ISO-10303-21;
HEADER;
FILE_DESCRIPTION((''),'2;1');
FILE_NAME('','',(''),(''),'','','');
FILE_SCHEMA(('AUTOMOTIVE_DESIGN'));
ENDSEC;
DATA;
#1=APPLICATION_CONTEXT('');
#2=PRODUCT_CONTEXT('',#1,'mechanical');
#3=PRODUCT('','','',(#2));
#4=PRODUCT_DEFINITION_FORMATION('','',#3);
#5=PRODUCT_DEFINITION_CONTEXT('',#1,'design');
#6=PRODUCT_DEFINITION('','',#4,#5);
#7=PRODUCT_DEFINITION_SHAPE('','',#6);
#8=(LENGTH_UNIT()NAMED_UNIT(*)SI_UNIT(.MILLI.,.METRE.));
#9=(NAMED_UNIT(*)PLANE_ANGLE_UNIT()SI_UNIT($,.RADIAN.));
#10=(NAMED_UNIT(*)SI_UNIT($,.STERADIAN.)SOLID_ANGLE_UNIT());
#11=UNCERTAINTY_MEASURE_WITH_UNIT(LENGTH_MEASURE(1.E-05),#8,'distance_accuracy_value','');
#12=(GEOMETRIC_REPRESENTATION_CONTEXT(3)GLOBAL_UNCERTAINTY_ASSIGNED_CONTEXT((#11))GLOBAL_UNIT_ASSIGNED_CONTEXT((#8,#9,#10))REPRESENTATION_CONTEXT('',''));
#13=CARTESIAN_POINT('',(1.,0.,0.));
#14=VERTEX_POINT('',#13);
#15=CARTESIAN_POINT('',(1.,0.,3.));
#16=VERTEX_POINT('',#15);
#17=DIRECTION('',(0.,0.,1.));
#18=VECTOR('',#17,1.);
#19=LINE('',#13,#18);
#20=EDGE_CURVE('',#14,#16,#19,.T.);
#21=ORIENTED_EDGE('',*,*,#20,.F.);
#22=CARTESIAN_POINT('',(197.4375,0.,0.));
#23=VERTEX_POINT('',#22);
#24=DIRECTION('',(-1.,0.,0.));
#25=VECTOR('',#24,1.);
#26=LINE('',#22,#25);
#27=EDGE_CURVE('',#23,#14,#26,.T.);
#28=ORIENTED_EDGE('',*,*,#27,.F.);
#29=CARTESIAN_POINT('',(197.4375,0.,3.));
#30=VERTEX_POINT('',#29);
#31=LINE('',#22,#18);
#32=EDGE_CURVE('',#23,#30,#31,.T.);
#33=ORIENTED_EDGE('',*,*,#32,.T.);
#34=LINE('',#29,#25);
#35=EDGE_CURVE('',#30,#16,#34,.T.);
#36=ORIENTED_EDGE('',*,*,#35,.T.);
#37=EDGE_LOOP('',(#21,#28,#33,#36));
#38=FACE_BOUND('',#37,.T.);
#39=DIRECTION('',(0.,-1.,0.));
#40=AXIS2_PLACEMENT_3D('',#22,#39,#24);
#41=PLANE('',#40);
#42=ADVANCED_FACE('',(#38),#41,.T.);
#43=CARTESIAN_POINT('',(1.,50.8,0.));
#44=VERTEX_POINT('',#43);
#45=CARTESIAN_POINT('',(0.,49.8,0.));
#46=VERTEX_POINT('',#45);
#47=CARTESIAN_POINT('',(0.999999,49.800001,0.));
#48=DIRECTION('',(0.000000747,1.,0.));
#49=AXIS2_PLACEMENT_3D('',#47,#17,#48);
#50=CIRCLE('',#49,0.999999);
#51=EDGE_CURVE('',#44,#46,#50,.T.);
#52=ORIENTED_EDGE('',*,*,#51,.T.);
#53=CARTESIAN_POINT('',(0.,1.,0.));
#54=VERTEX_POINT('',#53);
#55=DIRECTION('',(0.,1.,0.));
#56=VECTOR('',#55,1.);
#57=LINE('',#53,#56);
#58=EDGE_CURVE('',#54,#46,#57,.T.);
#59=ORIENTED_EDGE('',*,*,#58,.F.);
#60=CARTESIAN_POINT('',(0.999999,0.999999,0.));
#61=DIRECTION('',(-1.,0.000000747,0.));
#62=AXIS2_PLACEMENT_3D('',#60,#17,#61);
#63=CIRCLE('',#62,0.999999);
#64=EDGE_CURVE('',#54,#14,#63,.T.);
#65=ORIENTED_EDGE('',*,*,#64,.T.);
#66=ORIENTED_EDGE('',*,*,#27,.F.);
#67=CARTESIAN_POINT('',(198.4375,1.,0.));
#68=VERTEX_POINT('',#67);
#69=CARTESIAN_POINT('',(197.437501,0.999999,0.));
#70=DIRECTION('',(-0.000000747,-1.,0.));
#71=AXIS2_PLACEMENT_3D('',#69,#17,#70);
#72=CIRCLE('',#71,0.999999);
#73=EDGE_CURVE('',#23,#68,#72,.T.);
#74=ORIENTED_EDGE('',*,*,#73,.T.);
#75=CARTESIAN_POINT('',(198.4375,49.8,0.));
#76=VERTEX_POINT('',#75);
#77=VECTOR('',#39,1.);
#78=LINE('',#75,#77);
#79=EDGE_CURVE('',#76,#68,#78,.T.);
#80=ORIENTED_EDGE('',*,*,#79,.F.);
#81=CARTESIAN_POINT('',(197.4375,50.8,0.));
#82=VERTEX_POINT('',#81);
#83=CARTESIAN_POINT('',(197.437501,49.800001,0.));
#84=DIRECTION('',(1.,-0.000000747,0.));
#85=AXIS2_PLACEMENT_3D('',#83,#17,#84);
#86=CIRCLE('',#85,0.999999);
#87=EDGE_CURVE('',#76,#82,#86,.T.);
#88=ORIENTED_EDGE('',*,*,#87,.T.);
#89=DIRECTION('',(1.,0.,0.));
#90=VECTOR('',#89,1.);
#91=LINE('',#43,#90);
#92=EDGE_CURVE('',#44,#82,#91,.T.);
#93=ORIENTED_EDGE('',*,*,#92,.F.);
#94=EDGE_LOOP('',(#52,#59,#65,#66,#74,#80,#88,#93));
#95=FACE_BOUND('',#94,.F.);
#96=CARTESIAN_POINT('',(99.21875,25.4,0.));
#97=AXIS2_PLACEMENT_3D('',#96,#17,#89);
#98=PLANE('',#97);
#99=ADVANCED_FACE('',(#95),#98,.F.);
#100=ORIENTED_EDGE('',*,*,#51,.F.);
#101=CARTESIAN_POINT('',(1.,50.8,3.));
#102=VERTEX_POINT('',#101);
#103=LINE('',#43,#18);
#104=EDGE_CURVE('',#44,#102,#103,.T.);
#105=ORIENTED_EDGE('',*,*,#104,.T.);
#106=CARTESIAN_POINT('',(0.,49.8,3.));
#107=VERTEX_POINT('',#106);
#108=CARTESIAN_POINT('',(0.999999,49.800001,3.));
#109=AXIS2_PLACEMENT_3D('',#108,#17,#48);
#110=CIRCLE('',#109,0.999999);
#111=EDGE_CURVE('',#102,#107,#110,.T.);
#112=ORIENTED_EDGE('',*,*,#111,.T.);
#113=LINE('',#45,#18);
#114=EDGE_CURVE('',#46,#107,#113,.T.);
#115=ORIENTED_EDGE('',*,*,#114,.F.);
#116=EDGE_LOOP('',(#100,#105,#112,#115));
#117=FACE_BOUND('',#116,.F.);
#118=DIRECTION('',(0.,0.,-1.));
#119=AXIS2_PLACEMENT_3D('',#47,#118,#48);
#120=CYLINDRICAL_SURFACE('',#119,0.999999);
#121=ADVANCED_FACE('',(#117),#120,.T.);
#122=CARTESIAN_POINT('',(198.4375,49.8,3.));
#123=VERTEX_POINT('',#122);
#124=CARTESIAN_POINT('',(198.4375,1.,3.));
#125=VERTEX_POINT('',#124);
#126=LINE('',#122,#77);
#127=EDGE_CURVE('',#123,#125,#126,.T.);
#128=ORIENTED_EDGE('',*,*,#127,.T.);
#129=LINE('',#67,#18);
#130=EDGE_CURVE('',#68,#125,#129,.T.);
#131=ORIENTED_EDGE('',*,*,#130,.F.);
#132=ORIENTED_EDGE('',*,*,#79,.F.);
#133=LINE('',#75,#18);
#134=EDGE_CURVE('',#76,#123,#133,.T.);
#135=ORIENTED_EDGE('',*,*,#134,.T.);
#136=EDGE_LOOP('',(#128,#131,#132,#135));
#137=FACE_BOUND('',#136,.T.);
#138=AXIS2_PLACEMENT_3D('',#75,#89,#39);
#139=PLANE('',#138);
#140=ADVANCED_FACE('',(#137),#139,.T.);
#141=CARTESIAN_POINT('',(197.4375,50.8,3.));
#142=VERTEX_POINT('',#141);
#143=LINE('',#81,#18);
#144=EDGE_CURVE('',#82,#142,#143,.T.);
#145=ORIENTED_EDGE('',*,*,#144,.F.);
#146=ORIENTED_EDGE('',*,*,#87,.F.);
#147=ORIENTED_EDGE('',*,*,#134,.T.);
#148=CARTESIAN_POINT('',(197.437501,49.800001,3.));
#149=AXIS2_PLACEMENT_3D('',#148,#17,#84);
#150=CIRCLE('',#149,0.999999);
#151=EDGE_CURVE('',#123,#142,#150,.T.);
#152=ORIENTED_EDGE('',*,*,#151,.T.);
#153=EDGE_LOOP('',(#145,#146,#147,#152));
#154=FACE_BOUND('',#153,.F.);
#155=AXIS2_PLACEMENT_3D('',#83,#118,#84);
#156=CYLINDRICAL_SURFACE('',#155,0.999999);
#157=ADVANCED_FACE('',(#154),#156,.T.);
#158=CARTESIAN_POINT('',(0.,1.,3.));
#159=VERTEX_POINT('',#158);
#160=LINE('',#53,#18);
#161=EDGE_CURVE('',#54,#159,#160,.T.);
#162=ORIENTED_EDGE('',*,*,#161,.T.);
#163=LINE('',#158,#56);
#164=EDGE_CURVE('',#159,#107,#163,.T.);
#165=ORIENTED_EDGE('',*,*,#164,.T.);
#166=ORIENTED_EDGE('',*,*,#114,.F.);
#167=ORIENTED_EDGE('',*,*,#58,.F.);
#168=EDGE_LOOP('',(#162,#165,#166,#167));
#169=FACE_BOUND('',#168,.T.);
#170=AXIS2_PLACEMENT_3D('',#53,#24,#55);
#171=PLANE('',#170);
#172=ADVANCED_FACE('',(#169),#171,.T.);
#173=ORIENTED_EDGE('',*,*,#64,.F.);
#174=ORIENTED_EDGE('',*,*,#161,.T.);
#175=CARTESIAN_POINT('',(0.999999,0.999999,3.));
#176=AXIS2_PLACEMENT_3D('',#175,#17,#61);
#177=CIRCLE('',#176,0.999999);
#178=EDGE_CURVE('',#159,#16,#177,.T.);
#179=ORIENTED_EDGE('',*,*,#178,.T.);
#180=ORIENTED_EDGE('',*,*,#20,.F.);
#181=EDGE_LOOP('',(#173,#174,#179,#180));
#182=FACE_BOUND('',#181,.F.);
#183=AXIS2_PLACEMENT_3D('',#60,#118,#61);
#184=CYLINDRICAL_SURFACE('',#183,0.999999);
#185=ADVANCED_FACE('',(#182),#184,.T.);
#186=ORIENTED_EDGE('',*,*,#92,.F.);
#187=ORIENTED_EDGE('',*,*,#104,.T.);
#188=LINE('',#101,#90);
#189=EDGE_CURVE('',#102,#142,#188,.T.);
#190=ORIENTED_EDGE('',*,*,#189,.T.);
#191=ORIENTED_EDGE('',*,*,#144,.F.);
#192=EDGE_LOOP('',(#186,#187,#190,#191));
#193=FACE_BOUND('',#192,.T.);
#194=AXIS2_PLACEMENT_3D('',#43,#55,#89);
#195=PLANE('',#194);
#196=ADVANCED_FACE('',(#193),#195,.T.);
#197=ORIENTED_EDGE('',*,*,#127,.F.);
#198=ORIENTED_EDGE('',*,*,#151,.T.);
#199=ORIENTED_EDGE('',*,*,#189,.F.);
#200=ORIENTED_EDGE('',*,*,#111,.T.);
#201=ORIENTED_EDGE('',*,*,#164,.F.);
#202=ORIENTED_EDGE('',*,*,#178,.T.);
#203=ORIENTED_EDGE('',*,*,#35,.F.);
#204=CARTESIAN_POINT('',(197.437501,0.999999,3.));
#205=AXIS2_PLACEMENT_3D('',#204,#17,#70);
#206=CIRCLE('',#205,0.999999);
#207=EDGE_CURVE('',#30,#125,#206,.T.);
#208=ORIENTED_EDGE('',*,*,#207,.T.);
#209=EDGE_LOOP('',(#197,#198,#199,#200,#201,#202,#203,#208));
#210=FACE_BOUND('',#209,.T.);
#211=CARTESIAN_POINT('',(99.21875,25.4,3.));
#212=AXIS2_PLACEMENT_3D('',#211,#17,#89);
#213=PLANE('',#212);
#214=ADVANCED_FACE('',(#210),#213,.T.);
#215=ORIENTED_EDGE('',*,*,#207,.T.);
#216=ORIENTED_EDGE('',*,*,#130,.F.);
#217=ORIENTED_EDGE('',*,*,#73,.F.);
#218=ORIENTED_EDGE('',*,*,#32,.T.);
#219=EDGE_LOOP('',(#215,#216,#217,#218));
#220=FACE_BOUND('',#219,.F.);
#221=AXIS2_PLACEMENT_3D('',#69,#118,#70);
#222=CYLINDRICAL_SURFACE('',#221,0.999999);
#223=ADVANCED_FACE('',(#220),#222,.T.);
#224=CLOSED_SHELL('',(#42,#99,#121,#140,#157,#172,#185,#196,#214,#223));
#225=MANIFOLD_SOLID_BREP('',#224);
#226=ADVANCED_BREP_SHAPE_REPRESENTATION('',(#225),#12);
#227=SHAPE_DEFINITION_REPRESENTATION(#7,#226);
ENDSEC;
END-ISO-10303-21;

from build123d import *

# Parameters (mm, degrees)
PAD_DEPTH = 3


with BuildPart() as part:
    # Sketch → Pad (new body)
    with BuildSketch(Plane.XY):
        with BuildLine():
            ThreePointArc((0, 1), (0.292893, 0.292893), (1, 0))
            Line((197.4375, 0), (1, 0))
            ThreePointArc((197.4375, 0), (198.144607, 0.292893), (198.4375, 1))
            Line((198.4375, 49.8), (198.4375, 1))
            ThreePointArc((198.4375, 49.8), (198.144607, 50.507107), (197.4375, 50.8))
            Line((1, 50.8), (197.4375, 50.8))
            ThreePointArc((1, 50.8), (0.292893, 50.507107), (0, 49.8))
            Line((0, 1), (0, 49.8))
        make_face()
    extrude(amount=PAD_DEPTH)


solid = part.part
